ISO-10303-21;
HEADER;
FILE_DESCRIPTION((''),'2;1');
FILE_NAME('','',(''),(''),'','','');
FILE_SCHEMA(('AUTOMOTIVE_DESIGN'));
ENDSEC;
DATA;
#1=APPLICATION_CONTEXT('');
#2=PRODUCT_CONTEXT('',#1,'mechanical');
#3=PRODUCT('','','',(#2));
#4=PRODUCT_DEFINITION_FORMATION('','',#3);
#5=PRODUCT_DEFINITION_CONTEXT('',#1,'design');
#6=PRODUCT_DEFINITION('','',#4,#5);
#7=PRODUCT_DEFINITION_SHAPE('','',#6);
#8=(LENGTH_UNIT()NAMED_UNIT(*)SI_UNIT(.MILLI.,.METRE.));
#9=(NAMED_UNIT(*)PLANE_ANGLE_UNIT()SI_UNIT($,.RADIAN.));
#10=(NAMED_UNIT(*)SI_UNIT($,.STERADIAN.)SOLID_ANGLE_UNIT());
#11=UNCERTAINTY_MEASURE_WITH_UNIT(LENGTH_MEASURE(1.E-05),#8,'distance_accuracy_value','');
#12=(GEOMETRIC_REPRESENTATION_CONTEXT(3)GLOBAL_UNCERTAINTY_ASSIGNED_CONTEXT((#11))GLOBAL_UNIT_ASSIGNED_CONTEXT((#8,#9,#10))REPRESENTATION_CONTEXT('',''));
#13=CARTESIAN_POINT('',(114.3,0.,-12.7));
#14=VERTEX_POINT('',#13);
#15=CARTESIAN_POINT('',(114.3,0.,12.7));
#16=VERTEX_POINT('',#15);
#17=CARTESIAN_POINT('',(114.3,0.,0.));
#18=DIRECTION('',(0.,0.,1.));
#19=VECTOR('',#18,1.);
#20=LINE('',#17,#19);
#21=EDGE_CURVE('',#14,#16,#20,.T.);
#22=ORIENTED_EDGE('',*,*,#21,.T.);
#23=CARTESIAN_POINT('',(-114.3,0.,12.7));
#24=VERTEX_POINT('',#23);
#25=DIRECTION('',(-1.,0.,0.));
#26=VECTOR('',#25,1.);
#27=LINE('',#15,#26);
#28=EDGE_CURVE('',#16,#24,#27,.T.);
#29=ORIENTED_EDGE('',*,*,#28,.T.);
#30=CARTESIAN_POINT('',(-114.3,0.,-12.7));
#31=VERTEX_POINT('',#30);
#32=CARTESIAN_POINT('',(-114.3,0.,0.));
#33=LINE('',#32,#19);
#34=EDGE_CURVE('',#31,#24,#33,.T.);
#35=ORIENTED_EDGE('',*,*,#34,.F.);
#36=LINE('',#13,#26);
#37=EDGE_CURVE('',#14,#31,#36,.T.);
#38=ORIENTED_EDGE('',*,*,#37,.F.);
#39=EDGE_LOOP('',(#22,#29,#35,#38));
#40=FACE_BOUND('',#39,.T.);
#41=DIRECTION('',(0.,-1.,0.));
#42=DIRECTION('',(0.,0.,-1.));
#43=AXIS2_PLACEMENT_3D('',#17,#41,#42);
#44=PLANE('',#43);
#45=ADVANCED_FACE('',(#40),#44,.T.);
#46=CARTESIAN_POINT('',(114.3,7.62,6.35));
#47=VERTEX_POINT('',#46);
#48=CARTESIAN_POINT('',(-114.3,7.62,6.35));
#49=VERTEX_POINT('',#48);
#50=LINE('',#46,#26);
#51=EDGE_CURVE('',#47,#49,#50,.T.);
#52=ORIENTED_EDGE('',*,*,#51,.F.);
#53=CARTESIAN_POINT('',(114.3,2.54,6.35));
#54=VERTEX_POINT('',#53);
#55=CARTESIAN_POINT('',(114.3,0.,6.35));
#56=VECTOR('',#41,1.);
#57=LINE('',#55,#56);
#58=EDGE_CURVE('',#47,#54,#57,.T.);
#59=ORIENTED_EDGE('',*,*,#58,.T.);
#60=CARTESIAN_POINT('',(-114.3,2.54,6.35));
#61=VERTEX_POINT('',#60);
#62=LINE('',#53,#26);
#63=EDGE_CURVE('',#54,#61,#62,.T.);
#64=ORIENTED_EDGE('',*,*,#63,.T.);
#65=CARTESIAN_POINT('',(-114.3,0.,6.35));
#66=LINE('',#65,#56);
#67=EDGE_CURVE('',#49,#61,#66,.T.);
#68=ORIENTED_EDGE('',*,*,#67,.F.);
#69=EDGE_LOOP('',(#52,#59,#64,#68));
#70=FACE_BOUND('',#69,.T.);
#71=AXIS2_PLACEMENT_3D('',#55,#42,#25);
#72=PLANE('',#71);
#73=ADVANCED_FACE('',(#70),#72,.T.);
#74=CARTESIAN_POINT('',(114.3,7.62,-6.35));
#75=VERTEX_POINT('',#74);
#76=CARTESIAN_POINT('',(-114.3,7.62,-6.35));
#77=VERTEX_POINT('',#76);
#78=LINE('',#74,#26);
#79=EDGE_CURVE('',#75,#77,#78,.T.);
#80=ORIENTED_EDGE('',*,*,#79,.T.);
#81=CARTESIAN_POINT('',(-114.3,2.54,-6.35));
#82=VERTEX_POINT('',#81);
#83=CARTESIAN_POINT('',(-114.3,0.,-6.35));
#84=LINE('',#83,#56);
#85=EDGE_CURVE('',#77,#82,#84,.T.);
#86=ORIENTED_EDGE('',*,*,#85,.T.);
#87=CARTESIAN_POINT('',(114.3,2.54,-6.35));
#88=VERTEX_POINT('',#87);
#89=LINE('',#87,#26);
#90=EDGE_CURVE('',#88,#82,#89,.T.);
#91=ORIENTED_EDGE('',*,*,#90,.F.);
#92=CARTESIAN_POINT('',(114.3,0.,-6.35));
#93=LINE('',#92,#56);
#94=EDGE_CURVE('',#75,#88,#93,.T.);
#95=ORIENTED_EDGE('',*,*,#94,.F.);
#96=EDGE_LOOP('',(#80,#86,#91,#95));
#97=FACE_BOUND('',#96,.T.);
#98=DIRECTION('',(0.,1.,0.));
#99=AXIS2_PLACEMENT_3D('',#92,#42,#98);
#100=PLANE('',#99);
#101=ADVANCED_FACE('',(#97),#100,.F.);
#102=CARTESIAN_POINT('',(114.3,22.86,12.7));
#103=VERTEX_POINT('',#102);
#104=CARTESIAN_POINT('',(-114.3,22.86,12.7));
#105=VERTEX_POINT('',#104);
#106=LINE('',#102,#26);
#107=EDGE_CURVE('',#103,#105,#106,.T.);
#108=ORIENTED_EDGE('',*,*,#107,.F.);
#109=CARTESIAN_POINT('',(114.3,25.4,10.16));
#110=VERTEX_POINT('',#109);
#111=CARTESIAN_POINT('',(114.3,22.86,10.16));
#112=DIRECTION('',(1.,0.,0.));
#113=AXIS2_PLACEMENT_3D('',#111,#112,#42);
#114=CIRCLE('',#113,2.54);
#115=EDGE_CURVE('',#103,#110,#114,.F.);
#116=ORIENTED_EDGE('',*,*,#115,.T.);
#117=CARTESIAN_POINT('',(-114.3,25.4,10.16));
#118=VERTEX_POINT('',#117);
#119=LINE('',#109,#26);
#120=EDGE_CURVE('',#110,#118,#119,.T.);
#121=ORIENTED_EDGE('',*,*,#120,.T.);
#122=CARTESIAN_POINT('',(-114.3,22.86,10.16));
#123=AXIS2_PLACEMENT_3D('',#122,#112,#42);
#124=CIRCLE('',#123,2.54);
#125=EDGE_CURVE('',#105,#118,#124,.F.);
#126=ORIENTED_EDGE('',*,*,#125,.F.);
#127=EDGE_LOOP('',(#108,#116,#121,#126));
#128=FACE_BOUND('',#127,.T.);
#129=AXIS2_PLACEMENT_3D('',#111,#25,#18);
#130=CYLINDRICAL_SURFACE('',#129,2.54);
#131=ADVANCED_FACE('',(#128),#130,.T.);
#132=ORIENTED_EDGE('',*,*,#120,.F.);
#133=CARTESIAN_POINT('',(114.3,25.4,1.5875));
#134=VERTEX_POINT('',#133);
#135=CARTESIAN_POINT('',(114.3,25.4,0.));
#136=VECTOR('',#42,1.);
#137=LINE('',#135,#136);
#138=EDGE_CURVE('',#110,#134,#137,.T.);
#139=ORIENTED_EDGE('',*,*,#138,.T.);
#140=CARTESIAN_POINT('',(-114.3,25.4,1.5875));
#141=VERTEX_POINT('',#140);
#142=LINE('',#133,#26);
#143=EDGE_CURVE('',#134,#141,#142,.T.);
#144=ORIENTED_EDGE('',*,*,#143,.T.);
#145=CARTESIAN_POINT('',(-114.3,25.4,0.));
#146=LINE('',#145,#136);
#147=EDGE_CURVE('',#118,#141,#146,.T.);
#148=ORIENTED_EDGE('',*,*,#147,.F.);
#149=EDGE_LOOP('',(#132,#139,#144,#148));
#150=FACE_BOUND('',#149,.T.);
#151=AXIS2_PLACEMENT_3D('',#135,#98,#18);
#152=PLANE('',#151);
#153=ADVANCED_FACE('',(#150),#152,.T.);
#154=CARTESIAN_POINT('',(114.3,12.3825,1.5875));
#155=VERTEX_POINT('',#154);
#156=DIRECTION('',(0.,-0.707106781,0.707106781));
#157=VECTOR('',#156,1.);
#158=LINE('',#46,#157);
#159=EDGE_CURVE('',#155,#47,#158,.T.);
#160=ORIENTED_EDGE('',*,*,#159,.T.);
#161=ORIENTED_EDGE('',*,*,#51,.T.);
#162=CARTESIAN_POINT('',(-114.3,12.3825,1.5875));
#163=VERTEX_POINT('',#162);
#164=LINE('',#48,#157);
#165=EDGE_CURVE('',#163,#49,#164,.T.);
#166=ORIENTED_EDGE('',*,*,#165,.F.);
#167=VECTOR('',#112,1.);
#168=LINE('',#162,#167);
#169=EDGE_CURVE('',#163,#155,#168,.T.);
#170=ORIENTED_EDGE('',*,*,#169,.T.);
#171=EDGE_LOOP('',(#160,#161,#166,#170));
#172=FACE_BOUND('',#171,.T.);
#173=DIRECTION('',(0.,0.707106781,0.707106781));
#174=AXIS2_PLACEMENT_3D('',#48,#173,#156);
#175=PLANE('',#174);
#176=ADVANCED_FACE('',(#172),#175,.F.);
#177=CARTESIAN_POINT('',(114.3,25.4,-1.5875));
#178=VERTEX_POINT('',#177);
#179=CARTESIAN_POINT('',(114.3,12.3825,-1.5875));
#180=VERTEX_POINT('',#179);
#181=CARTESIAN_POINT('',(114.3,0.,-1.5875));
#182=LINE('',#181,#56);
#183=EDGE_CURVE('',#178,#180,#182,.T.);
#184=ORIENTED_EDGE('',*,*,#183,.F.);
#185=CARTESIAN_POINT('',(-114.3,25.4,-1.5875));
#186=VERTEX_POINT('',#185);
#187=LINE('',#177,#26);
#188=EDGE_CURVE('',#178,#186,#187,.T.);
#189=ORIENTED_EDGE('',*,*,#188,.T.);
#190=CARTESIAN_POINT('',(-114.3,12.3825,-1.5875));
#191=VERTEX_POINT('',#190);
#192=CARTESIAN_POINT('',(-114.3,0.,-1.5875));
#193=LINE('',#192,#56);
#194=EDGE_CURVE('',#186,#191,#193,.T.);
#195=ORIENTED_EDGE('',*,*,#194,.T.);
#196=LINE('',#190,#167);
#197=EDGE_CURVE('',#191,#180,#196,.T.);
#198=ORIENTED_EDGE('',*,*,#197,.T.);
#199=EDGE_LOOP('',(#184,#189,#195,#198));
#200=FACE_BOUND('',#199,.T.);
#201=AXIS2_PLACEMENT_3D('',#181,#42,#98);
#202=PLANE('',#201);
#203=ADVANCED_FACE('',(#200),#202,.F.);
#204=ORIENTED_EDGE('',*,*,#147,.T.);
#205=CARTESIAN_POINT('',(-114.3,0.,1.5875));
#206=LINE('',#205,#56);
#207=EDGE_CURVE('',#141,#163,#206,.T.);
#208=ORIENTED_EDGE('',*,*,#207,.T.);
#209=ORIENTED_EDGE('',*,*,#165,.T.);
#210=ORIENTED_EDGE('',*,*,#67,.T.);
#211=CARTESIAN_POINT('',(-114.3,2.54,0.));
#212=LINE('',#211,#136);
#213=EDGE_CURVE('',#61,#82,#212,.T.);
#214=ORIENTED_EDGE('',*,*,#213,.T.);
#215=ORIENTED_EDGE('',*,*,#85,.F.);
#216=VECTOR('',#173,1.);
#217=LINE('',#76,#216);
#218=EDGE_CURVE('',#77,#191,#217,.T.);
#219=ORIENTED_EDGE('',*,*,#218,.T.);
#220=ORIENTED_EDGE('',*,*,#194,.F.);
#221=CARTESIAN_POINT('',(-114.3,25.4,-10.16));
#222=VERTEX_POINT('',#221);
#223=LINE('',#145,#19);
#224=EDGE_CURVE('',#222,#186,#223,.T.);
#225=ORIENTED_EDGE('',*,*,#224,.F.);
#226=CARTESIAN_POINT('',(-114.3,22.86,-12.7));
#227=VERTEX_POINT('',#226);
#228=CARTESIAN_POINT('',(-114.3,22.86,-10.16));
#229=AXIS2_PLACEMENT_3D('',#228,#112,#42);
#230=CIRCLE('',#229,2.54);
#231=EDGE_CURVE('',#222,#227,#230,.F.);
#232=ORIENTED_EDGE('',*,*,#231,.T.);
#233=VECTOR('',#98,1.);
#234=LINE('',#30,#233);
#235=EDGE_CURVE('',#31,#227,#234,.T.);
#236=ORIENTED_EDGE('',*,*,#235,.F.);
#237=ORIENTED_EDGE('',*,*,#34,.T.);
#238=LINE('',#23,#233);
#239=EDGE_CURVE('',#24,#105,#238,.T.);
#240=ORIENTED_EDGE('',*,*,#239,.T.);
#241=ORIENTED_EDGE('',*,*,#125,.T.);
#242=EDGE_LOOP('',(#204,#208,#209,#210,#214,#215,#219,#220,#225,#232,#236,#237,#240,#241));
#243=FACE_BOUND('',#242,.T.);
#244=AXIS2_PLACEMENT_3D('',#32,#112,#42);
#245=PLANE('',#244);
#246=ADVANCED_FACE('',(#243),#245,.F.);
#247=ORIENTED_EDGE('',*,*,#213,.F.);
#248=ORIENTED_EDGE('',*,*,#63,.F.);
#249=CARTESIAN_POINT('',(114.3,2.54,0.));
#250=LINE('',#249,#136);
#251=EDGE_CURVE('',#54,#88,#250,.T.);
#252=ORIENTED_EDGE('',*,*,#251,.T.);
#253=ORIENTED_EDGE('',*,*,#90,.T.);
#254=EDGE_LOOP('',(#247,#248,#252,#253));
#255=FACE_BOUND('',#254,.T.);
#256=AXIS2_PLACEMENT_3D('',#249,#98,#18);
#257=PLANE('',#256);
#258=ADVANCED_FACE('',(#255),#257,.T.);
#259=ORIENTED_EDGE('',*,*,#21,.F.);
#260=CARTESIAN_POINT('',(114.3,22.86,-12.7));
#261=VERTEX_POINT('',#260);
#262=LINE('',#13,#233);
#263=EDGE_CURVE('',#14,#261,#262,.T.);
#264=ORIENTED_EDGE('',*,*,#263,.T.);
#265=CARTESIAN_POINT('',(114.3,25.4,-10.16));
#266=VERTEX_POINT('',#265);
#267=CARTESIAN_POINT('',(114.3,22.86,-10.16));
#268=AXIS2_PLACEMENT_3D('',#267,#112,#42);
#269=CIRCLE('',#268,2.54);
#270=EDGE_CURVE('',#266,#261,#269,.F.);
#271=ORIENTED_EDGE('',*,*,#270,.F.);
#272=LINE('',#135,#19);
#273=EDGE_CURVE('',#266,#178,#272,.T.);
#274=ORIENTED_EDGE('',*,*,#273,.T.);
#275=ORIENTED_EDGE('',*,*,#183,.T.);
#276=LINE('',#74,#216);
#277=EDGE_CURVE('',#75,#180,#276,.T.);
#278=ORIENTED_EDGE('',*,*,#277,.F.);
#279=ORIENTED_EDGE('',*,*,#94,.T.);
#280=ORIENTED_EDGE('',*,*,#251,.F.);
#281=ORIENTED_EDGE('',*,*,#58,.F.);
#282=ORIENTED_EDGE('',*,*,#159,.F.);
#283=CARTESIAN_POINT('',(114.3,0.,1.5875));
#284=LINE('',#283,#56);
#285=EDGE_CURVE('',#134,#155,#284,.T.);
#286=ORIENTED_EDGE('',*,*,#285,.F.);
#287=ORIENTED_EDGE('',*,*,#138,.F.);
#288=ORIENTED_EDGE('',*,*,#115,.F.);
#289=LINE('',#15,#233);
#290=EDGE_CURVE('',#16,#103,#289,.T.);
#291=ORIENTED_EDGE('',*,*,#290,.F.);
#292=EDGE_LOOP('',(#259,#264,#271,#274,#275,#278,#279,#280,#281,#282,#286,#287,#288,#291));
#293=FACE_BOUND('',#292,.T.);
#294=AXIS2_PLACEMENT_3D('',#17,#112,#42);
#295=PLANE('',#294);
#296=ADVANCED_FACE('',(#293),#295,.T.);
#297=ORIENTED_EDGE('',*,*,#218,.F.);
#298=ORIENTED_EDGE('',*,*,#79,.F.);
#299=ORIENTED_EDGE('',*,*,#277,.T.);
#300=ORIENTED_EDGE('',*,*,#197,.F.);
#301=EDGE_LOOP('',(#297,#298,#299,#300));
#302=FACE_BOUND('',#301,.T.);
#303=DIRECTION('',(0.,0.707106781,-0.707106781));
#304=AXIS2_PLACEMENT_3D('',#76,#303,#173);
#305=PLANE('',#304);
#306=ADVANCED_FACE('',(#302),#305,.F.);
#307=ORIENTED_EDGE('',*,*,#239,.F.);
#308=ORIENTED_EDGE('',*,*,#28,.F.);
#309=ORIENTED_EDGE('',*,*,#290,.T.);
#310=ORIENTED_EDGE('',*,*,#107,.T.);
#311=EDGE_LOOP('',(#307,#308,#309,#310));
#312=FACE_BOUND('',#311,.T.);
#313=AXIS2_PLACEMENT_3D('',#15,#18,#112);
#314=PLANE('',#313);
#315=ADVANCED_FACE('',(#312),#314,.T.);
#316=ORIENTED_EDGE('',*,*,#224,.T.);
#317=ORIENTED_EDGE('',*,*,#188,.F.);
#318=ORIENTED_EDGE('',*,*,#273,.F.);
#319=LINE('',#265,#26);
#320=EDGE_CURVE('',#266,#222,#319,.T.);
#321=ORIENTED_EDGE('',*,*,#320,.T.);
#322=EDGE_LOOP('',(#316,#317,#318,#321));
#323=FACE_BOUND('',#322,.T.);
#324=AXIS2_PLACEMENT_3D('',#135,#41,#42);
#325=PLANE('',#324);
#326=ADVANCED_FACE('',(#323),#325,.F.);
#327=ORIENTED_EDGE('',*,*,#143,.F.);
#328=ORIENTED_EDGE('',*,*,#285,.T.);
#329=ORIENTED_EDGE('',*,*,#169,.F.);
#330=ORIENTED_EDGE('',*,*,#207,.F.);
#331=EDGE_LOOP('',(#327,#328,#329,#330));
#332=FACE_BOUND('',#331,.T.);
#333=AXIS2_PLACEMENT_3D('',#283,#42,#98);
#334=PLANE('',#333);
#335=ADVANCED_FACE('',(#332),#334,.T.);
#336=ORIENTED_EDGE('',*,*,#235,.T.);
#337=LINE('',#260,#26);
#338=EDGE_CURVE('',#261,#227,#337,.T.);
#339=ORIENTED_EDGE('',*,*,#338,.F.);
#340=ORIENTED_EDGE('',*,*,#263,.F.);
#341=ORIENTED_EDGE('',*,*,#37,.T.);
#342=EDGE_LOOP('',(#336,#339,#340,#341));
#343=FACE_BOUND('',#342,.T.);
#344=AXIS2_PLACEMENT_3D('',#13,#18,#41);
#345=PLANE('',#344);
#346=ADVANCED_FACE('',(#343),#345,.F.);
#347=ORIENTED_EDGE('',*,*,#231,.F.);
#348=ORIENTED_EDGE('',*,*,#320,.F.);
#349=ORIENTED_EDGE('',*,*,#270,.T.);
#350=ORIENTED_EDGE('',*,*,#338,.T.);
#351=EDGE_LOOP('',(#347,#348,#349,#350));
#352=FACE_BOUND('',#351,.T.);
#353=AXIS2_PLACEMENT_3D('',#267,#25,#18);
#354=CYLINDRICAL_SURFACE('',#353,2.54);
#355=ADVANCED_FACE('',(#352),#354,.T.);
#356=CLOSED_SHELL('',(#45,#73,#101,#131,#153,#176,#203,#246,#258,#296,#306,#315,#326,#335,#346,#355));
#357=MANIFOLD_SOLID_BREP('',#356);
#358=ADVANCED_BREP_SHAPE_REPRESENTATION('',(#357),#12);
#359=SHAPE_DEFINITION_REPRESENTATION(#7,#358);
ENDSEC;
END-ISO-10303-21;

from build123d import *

# Parameters (mm, degrees)
BOSS_EXTRUDE1_DEPTH = 114.3
CUT_EXTRUDE2_DEPTH  = 114.3


with BuildPart() as part:
    # Sketch1 → Boss-Extrude1 (new, symmetric)
    with BuildSketch(Plane(origin=(0, 0, 0), x_dir=(0, 0, -1), z_dir=(1, 0, 0))):
        with BuildLine():
            Line((12.7, 0), (-12.7, 0))
            Line((-12.7, 0), (-12.7, 22.86))
            ThreePointArc((-12.7, 22.86), (-11.956051224, 24.656051224), (-10.16, 25.4))
            Line((-10.16, 25.4), (-1.5875, 25.4))
            Line((-1.5875, 25.4), (-1.5875, 7.62))
            Line((-1.5875, 7.62), (-6.35, 7.62))
            Line((-6.35, 7.62), (-6.35, 2.54))
            Line((-6.35, 2.54), (6.35, 2.54))
            Line((6.35, 2.54), (6.35, 7.62))
            Line((6.35, 7.62), (1.5875, 7.62))
            Line((1.5875, 7.62), (1.5875, 25.4))
            Line((1.5875, 25.4), (10.16, 25.4))
            ThreePointArc((10.16, 25.4), (11.956051224, 24.656051224), (12.7, 22.86))
            Line((12.7, 22.86), (12.7, 0))
        make_face()
    extrude(amount=BOSS_EXTRUDE1_DEPTH, both=True)

    # Sketch2 → Cut-Extrude2 (cut, symmetric)
    with BuildSketch(Plane(origin=(0, 0, 0), x_dir=(0, 0, -1), z_dir=(1, 0, 0))):
        Polygon((-6.35, 7.62), (-1.5875, 12.3825), (-1.5875, 7.62), align=None)
        Polygon((1.5875, 7.62), (6.35, 7.62), (1.5875, 12.3825), align=None)
    extrude(amount=CUT_EXTRUDE2_DEPTH, both=True, mode=Mode.SUBTRACT)


solid = part.part
